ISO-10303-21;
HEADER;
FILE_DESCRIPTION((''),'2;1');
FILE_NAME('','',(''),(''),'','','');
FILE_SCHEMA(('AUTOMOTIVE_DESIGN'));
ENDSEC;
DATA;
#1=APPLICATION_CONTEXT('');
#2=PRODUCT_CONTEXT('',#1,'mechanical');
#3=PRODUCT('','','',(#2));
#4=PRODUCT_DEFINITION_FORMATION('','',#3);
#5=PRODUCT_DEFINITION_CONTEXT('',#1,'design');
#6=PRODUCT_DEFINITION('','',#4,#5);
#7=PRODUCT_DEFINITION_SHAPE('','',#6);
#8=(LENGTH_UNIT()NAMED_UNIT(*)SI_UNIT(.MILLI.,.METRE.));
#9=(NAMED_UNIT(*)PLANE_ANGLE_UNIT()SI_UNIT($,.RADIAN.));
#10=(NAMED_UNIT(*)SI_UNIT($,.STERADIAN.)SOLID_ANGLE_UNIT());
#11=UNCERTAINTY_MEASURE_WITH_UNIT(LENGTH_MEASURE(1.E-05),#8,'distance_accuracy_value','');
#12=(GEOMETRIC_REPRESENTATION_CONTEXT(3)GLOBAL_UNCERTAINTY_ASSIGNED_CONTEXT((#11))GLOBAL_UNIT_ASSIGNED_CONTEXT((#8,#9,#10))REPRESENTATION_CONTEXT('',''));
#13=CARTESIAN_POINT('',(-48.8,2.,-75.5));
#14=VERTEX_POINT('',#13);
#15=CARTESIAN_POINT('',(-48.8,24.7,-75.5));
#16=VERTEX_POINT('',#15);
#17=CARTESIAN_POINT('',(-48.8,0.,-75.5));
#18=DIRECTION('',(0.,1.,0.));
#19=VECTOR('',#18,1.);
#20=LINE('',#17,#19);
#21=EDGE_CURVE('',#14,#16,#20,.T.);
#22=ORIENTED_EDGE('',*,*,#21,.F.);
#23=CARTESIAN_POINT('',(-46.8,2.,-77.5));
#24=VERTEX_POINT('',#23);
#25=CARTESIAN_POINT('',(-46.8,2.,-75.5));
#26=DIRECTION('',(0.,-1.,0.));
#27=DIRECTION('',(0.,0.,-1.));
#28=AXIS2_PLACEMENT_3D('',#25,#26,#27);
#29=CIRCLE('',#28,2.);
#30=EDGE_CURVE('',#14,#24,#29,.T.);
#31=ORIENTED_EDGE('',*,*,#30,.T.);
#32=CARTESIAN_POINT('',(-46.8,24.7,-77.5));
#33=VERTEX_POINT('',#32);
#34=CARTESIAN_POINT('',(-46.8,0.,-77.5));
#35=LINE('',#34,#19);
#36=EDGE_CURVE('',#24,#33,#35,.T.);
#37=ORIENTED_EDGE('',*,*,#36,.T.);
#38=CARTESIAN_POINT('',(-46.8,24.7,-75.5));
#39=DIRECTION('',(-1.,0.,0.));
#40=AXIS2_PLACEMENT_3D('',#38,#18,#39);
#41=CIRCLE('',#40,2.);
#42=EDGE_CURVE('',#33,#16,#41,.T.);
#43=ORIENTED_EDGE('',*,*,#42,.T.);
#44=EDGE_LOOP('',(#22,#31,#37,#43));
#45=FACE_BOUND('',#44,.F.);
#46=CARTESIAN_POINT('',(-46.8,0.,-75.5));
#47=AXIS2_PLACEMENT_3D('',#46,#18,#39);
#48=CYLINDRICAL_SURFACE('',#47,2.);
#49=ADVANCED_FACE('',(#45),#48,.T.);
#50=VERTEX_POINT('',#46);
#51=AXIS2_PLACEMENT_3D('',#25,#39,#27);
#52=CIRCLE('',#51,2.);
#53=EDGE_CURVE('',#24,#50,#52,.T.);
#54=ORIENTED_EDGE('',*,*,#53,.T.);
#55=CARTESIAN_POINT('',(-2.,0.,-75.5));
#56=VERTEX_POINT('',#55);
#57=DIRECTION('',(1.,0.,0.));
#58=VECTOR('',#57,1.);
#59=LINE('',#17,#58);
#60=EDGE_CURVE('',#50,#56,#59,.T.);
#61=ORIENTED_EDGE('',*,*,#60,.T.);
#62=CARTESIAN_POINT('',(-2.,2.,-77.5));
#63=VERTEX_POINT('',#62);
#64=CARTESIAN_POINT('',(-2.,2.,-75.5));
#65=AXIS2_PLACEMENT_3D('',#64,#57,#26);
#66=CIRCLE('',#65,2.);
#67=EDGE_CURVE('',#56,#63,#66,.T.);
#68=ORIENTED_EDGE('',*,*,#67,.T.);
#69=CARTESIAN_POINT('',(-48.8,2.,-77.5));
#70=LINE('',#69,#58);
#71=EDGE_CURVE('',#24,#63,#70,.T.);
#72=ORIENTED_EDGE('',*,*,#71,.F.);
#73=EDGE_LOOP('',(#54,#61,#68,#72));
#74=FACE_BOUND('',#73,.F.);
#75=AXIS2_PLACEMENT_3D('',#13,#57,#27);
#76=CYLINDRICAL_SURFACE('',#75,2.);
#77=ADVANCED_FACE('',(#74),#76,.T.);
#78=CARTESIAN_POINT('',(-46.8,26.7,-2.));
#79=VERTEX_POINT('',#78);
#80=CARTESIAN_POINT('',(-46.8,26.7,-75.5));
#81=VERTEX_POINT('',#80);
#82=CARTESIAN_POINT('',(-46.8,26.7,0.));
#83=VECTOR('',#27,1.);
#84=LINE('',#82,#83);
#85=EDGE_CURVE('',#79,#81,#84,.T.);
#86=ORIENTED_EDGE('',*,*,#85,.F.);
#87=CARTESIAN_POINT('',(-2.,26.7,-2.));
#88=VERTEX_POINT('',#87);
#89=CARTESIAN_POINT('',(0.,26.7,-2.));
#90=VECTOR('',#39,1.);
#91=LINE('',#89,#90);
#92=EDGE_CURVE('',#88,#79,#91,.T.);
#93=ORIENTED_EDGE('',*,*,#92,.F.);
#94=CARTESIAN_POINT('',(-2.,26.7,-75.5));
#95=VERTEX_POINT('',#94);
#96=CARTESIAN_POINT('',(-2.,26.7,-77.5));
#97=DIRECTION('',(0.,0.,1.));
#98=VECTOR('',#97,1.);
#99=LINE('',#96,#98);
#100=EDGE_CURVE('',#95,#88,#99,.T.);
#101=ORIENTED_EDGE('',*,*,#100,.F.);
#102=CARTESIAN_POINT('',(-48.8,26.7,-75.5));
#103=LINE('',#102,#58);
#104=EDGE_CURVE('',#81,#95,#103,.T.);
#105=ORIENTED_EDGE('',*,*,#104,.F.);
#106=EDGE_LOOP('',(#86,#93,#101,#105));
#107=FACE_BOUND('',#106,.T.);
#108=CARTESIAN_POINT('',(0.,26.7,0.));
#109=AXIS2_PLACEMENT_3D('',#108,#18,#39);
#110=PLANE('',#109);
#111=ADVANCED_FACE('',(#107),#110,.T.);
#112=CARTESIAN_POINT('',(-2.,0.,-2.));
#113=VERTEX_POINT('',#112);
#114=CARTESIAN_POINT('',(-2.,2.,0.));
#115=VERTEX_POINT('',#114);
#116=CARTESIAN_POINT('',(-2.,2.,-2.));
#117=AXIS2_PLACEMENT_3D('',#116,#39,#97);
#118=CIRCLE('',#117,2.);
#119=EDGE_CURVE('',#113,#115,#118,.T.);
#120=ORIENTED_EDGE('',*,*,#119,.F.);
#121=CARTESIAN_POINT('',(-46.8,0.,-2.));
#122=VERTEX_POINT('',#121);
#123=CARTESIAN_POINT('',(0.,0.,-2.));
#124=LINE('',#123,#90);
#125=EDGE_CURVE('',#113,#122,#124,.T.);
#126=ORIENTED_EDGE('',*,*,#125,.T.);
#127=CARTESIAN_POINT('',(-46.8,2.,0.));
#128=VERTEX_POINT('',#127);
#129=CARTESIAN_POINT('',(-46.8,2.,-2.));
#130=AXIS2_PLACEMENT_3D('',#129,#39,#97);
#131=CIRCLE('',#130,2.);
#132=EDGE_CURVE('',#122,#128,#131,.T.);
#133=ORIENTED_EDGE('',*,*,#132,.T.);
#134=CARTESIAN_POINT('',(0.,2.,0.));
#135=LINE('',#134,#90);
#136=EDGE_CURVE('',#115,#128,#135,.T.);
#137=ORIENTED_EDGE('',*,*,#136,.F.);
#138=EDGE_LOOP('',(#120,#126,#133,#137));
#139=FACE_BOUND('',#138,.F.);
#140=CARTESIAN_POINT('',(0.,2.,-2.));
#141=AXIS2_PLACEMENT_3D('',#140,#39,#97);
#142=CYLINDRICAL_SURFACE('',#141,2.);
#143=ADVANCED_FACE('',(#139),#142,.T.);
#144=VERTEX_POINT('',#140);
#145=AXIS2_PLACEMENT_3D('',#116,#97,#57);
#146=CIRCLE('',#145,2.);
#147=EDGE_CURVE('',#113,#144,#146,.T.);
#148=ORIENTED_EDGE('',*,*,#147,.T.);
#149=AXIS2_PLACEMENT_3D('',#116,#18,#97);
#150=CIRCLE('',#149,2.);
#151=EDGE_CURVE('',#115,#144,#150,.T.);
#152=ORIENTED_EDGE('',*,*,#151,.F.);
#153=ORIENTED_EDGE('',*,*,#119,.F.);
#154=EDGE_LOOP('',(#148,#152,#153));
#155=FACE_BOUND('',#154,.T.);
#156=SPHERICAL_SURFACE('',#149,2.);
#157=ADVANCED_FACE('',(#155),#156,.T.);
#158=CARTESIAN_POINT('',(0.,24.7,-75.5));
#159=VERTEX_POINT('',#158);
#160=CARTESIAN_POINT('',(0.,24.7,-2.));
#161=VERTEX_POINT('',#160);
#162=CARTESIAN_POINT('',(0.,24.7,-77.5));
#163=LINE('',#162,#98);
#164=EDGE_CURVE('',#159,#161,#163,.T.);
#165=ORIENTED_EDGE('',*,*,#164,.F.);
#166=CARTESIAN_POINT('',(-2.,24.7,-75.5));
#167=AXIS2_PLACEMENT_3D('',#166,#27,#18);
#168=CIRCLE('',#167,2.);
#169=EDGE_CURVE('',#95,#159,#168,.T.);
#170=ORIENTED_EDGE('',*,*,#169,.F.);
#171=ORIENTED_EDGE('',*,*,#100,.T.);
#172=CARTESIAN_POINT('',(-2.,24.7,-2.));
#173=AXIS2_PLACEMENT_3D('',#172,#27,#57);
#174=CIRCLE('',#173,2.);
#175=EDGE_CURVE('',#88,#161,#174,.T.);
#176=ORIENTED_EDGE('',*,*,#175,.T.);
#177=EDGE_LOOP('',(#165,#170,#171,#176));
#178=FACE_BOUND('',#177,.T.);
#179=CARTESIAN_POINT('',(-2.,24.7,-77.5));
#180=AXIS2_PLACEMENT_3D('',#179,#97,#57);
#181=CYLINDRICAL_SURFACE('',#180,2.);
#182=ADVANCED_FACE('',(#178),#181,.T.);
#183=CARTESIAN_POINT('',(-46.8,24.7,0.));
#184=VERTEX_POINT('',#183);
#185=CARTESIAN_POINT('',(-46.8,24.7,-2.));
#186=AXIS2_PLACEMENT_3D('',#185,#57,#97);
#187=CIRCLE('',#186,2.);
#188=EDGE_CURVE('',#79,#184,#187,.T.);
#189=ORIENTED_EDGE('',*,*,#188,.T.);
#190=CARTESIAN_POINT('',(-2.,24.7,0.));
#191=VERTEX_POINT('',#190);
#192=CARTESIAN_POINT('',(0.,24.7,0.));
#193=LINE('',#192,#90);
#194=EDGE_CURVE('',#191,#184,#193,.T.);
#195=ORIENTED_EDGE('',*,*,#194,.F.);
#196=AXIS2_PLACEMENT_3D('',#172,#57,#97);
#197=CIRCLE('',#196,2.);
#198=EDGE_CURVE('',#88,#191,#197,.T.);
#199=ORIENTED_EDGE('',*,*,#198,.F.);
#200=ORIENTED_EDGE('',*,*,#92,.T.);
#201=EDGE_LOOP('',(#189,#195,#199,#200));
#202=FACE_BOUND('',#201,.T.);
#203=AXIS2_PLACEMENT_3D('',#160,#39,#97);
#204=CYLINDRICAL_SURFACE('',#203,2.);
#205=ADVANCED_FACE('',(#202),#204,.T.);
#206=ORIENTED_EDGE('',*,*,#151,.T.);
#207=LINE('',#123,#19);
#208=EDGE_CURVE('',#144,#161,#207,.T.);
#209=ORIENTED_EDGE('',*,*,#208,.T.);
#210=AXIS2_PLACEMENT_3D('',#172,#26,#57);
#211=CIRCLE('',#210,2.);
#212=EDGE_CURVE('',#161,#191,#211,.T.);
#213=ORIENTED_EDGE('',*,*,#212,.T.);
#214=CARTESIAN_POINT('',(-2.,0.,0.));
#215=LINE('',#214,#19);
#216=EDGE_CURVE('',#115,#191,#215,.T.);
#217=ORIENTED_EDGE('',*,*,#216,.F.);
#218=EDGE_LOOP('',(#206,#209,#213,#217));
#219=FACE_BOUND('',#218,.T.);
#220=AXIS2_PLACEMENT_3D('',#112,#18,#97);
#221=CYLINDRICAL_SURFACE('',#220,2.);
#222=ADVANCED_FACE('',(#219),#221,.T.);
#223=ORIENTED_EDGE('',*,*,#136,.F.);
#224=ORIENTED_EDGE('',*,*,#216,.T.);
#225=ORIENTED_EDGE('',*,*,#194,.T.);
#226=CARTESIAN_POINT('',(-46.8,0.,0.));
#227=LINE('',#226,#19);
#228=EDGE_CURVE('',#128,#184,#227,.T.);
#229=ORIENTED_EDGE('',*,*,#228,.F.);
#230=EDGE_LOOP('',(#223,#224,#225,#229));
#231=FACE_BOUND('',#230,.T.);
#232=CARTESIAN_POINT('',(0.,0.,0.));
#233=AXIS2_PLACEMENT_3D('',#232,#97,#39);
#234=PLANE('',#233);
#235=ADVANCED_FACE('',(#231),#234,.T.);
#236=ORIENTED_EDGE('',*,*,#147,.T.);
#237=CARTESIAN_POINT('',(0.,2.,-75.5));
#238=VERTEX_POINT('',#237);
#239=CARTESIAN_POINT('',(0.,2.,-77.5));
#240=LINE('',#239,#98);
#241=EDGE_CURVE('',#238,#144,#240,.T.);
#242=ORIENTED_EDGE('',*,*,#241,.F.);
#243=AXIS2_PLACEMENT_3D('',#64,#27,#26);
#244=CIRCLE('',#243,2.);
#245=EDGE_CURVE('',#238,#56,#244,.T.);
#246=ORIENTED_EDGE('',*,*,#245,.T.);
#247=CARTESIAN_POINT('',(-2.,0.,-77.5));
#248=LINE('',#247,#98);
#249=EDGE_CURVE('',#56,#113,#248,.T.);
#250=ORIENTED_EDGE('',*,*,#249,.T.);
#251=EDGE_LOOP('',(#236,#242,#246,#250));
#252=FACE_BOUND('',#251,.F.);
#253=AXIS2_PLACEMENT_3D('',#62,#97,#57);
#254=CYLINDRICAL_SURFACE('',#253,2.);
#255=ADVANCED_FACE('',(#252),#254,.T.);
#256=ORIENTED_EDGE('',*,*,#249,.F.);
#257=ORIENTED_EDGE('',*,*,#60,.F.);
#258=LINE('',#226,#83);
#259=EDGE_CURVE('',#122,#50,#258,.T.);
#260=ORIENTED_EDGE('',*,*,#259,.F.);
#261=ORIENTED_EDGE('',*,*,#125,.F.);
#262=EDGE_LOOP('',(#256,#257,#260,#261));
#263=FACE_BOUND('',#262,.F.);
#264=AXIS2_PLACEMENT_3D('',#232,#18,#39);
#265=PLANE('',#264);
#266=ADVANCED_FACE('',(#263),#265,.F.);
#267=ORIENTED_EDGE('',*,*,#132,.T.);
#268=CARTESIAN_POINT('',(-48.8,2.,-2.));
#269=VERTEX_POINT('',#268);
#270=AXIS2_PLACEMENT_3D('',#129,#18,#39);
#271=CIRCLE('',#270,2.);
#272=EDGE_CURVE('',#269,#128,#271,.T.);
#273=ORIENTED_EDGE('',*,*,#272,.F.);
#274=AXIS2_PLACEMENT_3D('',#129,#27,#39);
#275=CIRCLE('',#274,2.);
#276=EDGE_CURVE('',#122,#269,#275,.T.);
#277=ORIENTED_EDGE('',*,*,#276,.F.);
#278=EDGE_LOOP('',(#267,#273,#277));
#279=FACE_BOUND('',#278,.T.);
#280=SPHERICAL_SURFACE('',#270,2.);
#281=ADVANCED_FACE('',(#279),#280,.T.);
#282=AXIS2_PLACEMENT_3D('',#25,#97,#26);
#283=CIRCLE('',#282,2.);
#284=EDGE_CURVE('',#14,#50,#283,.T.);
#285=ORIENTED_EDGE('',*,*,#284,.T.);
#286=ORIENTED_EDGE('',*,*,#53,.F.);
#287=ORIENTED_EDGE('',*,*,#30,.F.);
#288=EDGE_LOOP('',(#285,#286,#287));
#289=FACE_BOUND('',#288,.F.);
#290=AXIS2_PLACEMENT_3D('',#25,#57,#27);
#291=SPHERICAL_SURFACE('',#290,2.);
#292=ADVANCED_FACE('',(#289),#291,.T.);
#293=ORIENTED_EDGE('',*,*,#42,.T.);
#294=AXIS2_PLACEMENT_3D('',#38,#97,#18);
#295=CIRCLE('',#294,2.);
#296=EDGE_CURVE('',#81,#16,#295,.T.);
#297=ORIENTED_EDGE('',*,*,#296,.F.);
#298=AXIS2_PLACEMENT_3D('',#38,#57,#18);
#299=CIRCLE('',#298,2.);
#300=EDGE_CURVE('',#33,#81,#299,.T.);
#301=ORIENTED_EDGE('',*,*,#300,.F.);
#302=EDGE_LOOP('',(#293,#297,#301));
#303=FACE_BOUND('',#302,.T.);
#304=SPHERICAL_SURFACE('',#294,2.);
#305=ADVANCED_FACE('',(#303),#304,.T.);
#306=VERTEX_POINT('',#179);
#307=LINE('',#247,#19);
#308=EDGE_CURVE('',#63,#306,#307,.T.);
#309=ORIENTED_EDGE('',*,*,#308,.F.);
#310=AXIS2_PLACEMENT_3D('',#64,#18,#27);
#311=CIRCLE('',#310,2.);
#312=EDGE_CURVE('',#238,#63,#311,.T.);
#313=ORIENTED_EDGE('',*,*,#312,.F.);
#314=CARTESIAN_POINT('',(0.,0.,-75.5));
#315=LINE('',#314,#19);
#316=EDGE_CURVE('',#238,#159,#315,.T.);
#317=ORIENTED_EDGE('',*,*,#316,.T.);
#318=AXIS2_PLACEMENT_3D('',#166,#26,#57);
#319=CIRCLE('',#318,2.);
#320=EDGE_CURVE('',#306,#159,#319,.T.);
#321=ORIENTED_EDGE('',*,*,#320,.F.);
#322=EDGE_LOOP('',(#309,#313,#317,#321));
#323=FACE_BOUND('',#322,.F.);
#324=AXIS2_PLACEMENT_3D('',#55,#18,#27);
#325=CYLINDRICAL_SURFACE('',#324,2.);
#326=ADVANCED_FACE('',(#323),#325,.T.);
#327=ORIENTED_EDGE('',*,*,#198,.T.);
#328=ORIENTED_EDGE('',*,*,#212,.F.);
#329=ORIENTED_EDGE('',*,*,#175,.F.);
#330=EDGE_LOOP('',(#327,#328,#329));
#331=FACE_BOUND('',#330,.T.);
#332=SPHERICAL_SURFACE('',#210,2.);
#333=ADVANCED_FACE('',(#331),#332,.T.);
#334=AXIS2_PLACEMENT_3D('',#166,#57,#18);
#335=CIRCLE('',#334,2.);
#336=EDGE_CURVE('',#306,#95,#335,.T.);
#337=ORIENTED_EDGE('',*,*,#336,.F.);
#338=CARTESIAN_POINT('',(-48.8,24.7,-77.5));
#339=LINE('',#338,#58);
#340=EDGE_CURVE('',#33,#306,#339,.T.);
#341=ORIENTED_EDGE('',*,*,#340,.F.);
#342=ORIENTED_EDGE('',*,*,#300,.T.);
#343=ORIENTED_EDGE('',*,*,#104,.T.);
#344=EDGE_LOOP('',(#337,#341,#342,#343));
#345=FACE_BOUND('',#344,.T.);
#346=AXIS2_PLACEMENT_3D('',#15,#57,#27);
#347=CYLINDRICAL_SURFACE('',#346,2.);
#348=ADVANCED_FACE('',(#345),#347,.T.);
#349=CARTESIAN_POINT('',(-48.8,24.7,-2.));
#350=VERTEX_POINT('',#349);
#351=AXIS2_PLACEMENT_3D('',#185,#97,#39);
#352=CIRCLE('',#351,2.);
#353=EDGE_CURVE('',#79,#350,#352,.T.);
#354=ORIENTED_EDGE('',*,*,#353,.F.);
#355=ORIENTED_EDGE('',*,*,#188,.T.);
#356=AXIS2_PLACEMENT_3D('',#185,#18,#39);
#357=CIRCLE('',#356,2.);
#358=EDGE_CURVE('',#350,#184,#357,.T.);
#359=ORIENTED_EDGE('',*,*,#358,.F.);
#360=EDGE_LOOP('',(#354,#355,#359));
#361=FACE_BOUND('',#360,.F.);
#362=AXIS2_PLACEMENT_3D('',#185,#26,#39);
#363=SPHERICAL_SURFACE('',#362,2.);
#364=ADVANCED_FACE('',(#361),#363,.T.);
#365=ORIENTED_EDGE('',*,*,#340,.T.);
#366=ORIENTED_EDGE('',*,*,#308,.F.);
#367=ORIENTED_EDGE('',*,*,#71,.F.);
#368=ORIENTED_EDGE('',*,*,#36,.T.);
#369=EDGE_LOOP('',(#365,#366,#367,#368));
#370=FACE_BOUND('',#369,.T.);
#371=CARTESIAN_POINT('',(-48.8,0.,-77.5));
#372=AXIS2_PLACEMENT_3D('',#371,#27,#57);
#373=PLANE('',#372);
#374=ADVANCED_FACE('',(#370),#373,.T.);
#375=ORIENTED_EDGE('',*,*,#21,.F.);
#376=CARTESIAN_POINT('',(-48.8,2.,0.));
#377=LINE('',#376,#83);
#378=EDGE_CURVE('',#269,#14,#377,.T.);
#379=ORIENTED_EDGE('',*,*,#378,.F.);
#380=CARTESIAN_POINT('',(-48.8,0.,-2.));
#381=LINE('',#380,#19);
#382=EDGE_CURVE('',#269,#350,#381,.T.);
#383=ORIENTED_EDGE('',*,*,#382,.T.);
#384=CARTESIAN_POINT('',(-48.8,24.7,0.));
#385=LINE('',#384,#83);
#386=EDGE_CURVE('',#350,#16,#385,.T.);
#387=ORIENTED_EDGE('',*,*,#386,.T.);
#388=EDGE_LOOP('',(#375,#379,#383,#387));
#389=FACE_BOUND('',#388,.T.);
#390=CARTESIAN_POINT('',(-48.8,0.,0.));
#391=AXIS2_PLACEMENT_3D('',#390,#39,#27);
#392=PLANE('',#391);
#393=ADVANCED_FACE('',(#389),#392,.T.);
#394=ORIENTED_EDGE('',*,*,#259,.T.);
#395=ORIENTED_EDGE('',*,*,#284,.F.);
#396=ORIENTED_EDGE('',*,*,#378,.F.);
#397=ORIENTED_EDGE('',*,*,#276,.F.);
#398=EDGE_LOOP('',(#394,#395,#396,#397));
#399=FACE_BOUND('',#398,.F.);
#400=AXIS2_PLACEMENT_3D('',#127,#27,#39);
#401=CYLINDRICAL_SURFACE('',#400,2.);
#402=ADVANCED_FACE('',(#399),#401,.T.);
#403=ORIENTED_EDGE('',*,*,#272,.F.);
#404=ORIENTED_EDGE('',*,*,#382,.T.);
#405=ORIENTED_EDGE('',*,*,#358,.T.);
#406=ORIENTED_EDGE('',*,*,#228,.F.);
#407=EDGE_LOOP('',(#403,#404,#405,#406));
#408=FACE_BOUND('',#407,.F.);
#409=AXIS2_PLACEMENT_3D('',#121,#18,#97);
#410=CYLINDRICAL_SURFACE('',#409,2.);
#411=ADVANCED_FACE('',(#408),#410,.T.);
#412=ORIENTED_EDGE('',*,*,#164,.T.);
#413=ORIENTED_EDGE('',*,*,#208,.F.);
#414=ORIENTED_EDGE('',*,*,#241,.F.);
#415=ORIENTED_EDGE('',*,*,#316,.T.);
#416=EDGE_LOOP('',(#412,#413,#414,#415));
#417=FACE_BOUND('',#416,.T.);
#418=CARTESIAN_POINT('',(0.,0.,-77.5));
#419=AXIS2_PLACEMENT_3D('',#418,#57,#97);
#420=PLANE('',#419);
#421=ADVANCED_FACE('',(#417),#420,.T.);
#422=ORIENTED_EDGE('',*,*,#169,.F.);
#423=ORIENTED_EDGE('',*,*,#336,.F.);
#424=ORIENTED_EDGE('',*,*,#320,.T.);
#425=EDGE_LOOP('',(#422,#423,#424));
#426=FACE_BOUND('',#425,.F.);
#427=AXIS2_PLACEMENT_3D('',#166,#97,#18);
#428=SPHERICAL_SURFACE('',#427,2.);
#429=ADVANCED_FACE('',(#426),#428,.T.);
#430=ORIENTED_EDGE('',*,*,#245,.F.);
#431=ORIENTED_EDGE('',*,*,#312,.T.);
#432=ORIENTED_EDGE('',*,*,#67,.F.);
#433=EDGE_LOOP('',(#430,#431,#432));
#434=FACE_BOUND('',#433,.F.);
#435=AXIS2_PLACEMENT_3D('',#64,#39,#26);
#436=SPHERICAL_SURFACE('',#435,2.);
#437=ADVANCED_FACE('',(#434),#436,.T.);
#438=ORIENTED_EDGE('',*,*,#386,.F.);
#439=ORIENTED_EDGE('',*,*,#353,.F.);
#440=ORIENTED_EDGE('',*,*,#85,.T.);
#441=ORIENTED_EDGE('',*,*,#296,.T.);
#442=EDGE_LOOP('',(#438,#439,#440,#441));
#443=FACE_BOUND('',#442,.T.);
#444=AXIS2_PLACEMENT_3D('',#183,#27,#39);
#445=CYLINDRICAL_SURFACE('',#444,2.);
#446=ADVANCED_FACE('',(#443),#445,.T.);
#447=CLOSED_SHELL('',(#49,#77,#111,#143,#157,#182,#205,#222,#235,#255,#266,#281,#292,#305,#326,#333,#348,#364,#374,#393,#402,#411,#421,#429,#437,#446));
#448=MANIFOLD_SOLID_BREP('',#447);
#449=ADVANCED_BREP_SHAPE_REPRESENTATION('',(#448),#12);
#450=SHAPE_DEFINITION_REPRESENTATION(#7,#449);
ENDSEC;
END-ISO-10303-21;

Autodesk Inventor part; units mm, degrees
ref_plane "YZ Plane" through (0, 0, 0) normal (1, 0, 0) x (0, 1, 0)
ref_plane "XZ Plane" through (0, 0, 0) normal (0, 1, 0) x (-1, 0, 0)
ref_plane "XY Plane" through (0, 0, 0) normal (0, 0, 1) x (1, 0, 0)
sketch "Sketch1" plane through (0, 0, 0) normal (0, 1, 0) x (-1, 0, 0)
  line L0 (0, 0) -> (48.8, 0)
  line L1 (48.8, 0) -> (48.8, -77.5)
  line L2 (48.8, -77.5) -> (0, -77.5)
  line L3 (0, -77.5) -> (0, 0)
  dimension "d0" = 48.8
  dimension "d1" = 77.5
extrude "Extrusion1" add sketch "Sketch1" along normal blind 26.7
fillet "Fillet1" radius 2 12 edges at (0, 13.35, 0) (-48.8, 13.35, 0) (-48.8, 26.7, -38.75) (0, 26.7, -38.75) (-24.4, 26.7, 0) (-24.4, 26.7, -77.5) (-24.4, 0, -77.5) (-48.8, 13.35, -77.5) (-48.8, 0, -38.75) (-24.4, 0, 0) (0, 0, -38.75) (0, 13.35, -77.5)
sketch "Sketch2" plane through (0, 0, 0) normal (0, -1, 0) x (1, 0, 0)
  point P0 (0, 0)
properties part number "BatteryBox"
